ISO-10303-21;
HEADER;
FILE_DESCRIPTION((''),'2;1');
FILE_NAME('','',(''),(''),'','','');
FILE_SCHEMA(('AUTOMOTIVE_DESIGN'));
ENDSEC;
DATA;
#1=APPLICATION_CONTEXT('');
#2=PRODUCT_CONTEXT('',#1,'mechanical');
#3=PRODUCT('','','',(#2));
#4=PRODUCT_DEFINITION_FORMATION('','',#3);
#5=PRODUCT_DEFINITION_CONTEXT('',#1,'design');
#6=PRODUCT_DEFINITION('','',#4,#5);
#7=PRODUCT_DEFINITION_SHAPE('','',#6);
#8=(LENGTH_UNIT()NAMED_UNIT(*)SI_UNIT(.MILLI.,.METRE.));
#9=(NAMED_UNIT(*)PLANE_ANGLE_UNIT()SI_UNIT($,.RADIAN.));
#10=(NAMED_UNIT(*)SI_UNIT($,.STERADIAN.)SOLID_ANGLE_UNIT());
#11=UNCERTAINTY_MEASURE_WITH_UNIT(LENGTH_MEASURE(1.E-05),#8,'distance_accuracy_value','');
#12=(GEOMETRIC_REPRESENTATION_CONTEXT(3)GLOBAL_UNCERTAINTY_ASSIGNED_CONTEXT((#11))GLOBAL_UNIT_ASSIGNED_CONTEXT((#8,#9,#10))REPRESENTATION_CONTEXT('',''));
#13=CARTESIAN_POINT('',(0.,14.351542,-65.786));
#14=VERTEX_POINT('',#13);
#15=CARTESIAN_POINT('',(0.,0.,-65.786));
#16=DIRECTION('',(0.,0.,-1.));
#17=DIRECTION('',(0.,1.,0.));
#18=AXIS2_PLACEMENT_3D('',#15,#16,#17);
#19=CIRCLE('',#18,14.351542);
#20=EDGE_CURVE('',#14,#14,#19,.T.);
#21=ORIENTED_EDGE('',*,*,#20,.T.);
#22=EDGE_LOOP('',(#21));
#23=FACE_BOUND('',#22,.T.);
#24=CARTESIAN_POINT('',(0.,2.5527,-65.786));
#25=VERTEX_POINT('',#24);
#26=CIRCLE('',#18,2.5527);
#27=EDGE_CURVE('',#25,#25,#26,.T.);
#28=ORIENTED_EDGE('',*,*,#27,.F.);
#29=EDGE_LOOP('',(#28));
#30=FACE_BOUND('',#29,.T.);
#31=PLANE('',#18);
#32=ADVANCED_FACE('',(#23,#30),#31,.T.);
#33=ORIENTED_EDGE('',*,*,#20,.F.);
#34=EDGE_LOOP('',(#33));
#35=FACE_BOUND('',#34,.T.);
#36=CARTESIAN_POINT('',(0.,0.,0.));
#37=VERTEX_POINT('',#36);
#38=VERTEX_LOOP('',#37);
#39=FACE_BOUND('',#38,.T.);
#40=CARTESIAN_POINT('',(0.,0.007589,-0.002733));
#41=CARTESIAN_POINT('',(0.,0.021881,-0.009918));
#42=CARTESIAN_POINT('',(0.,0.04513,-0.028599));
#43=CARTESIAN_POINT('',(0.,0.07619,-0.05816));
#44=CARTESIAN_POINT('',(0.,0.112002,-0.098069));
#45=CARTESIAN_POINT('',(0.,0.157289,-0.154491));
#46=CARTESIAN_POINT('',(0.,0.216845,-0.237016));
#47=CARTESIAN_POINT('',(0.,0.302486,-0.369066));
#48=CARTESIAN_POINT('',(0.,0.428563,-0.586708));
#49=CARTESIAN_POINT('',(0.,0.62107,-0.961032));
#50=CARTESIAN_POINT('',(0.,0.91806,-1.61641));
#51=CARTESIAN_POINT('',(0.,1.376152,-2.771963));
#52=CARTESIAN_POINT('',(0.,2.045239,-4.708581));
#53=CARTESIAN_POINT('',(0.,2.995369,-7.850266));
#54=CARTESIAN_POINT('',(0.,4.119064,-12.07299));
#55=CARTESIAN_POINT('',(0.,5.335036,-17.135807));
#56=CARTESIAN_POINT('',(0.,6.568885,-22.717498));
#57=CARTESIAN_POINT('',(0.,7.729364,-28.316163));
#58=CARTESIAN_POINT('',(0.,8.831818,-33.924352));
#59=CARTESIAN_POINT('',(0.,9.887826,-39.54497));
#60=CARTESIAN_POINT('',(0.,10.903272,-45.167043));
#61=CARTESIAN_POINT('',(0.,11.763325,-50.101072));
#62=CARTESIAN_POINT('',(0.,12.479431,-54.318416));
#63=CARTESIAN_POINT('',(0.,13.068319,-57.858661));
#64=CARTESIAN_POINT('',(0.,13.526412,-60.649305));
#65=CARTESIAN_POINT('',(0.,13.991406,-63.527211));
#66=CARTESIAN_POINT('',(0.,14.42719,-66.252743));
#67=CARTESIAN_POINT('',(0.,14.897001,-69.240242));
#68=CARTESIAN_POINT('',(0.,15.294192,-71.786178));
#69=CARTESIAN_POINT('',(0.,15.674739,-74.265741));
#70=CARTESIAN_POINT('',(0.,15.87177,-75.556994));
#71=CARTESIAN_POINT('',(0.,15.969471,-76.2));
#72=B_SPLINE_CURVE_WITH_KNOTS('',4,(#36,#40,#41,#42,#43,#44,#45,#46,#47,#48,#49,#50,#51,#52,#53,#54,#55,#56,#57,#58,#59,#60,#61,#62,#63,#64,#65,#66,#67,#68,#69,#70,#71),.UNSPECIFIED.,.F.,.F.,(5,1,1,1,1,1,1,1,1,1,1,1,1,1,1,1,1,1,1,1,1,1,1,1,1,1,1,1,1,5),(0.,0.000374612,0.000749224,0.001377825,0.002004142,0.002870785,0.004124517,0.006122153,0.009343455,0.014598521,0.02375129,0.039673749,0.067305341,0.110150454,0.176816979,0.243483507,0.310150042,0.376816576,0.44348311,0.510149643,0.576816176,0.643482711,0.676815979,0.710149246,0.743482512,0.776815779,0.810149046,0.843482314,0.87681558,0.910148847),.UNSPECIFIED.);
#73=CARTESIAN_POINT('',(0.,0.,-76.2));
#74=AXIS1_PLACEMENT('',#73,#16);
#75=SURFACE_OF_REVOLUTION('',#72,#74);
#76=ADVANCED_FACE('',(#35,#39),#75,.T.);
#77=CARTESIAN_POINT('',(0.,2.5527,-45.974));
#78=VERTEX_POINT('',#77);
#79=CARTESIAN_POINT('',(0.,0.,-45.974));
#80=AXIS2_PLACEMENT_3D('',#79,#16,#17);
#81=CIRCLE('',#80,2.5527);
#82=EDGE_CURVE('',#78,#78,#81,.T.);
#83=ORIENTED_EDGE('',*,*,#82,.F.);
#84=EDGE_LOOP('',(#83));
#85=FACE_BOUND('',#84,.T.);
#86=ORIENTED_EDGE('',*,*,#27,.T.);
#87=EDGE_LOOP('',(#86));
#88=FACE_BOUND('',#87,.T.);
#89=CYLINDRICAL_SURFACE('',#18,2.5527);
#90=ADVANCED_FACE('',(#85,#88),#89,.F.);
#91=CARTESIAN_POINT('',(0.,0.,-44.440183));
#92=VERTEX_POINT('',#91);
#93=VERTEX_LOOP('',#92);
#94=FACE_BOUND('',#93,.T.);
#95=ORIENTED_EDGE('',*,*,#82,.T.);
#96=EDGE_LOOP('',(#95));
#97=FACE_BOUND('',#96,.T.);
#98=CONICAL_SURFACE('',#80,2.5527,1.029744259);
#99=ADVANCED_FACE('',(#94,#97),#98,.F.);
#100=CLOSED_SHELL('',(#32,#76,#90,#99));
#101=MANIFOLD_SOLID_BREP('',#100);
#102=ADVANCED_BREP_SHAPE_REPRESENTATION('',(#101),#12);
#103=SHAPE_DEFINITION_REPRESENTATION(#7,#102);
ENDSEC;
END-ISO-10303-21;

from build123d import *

# Parameters (mm, degrees)
F_1_4_20_TAPPED_HOLE1_D     = 5.1054
F_1_4_20_TAPPED_HOLE1_DEPTH = 19.812
F_1_4_20_TAPPED_HOLE1_TIP   = 1.533816902


with BuildPart() as part:
    # Sketch1 → Revolve1 (revolve)
    with BuildSketch(Plane(origin=(0, 0, 0), x_dir=(0, 0, -1), z_dir=(1, 0, 0))):
        with BuildLine():
            Line((65.786, 0), (65.786, 14.35154156))
            add(Edge.make_bspline(
                [(0, 0), (0.00273266, 0.007589179), (0.009918459, 0.021881358), (0.028599022, 0.04513016), (0.058159853, 0.076190245), (0.098068862, 0.112001745), (0.154490996, 0.157289413), (0.237015744, 0.21684464), (0.369066217, 0.302486025), (0.586708146, 0.428563317), (0.961032305, 0.621069751), (1.616409937, 0.918059517), (2.771963001, 1.376152359), (4.708581304, 2.045239073), (7.850265694, 2.995369148), (12.07298984, 4.119063851), (17.135806504, 5.335036279), (22.717497971, 6.568884535), (28.316163012, 7.729364413), (33.924351731, 8.83181844), (39.544969972, 9.887825848), (45.167043001, 10.903272486), (50.101072382, 11.763325335), (54.318415677, 12.479431193), (57.858660956, 13.068319392), (60.649305367, 13.526411789), (63.036085612, 13.912052875), (64.635199114, 14.168373305), (65.561696399, 14.315885864), (65.786, 14.35154156)],
                knots=[0, 0, 0, 0, 0, 0.000374612, 0.000749224, 0.001377825, 0.002004142, 0.002870785, 0.004124517, 0.006122153, 0.009343455, 0.014598521, 0.02375129, 0.039673749, 0.067305341, 0.110150454, 0.176816979, 0.243483507, 0.310150042, 0.376816576, 0.44348311, 0.510149643, 0.576816176, 0.643482711, 0.676815979, 0.710149246, 0.743482512, 0.776815779, 0.787395269, 0.787395269, 0.787395269, 0.787395269, 0.787395269], degree=4))
            Line((0, 0), (65.786, 0))
        make_face()
    revolve(axis=Axis((0, 0, -76.2), (0, 0, 1)))

    # 1/4-20 Tapped Hole1
    with Locations(Plane(origin=(0, 0, -65.786), x_dir=(-1, 0, 0), z_dir=(0, 0, -1))):
        with Locations((0, 0)):
            Hole(F_1_4_20_TAPPED_HOLE1_D / 2, depth=F_1_4_20_TAPPED_HOLE1_DEPTH)
            with Locations((0, 0, -(F_1_4_20_TAPPED_HOLE1_DEPTH + F_1_4_20_TAPPED_HOLE1_TIP / 2))):  # 118° drill point
                Cone(0, F_1_4_20_TAPPED_HOLE1_D / 2, F_1_4_20_TAPPED_HOLE1_TIP, mode=Mode.SUBTRACT)


solid = part.part
